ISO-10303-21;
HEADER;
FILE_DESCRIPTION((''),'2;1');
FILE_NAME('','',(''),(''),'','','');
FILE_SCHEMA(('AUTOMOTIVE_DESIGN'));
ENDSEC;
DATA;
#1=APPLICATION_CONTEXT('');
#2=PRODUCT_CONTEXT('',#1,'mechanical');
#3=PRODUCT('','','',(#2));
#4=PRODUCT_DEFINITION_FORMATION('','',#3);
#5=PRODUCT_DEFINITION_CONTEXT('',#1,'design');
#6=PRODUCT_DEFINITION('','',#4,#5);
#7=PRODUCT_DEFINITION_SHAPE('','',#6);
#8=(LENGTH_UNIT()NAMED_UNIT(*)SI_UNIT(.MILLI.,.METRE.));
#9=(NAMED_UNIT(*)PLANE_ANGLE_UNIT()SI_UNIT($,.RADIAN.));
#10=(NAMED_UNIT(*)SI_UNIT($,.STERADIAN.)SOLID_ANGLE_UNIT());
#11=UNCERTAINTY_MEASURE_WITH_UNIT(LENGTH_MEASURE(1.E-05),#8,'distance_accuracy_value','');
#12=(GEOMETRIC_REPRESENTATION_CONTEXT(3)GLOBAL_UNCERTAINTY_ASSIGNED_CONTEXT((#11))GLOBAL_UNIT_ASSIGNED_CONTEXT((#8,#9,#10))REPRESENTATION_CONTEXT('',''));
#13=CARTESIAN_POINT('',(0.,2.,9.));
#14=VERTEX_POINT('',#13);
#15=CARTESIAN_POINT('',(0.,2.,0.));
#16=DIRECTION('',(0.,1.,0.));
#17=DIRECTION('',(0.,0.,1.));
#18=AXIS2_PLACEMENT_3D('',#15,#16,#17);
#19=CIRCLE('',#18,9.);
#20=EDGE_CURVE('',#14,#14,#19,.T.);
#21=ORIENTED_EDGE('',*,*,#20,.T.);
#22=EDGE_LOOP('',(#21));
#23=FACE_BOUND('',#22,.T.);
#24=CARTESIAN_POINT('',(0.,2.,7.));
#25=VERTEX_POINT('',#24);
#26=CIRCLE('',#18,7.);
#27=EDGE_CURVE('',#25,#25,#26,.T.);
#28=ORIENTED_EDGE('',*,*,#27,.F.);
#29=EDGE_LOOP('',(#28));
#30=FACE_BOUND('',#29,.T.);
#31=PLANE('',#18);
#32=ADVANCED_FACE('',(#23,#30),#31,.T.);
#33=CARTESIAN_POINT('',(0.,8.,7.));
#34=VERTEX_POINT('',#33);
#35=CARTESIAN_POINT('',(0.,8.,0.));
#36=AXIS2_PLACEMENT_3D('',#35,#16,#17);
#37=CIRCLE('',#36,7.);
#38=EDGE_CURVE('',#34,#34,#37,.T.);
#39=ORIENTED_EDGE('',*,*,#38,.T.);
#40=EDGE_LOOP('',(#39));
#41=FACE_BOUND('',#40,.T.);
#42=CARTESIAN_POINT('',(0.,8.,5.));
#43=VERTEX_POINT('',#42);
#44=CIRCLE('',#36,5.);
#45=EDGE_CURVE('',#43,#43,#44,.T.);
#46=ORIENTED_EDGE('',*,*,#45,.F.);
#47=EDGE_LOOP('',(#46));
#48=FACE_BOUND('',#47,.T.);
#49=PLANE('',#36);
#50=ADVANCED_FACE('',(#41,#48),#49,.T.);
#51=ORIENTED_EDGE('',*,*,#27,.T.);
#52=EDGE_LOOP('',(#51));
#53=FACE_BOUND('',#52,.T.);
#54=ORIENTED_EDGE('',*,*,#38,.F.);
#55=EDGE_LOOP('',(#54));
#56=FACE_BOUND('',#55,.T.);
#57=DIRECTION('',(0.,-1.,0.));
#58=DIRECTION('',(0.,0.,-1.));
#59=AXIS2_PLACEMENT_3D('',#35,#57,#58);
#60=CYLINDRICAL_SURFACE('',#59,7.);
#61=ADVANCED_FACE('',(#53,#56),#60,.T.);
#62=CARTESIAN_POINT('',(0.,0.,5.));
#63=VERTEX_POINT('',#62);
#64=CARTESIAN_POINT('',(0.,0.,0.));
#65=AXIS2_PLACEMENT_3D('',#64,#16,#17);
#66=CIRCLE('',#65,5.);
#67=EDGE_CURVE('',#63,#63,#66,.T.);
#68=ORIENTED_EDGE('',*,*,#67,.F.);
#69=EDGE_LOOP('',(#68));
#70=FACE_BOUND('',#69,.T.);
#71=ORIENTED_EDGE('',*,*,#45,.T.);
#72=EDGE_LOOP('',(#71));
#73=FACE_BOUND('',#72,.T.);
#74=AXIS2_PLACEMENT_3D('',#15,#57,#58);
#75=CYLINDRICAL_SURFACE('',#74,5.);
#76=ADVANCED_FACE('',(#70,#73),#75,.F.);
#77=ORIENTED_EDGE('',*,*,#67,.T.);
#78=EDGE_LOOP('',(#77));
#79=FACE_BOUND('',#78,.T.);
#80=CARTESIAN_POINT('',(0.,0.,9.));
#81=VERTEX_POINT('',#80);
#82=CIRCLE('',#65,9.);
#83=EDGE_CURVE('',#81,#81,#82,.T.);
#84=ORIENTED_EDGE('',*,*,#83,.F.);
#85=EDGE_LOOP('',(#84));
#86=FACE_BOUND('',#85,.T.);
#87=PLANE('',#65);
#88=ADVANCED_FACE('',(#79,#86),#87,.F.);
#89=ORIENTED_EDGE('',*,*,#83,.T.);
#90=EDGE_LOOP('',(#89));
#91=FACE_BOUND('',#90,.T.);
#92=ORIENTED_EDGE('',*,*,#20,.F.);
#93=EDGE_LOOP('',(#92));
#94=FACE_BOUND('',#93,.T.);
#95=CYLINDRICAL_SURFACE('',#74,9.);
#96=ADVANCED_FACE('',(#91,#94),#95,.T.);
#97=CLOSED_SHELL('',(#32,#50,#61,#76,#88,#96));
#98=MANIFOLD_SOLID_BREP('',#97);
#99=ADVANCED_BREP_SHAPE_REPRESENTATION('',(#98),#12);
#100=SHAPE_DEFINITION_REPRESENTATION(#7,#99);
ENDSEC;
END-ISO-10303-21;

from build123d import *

# Parameters (mm, degrees)
SKETCH1_R           = 9
SKETCH1_R_2         = 5
BOSS_EXTRUDE1_DEPTH = 2
SKETCH2_R           = 7
SKETCH2_R_2         = 5
BOSS_EXTRUDE2_DEPTH = 6


with BuildPart() as part:
    # Sketch1 → Boss-Extrude1 (new body)
    with BuildSketch(Plane(origin=(0, 0, 0), x_dir=(1, 0, 0), z_dir=(0, 1, 0))):
        Circle(SKETCH1_R)
        Circle(SKETCH1_R_2, mode=Mode.SUBTRACT)
    extrude(amount=BOSS_EXTRUDE1_DEPTH)

    # Sketch2 → Boss-Extrude2 (add)
    with BuildSketch(Plane(origin=(0, 2, 0), x_dir=(1, 0, 0), z_dir=(0, 1, 0))):
        Circle(SKETCH2_R)
        Circle(SKETCH2_R_2, mode=Mode.SUBTRACT)
    extrude(amount=BOSS_EXTRUDE2_DEPTH)


solid = part.part
